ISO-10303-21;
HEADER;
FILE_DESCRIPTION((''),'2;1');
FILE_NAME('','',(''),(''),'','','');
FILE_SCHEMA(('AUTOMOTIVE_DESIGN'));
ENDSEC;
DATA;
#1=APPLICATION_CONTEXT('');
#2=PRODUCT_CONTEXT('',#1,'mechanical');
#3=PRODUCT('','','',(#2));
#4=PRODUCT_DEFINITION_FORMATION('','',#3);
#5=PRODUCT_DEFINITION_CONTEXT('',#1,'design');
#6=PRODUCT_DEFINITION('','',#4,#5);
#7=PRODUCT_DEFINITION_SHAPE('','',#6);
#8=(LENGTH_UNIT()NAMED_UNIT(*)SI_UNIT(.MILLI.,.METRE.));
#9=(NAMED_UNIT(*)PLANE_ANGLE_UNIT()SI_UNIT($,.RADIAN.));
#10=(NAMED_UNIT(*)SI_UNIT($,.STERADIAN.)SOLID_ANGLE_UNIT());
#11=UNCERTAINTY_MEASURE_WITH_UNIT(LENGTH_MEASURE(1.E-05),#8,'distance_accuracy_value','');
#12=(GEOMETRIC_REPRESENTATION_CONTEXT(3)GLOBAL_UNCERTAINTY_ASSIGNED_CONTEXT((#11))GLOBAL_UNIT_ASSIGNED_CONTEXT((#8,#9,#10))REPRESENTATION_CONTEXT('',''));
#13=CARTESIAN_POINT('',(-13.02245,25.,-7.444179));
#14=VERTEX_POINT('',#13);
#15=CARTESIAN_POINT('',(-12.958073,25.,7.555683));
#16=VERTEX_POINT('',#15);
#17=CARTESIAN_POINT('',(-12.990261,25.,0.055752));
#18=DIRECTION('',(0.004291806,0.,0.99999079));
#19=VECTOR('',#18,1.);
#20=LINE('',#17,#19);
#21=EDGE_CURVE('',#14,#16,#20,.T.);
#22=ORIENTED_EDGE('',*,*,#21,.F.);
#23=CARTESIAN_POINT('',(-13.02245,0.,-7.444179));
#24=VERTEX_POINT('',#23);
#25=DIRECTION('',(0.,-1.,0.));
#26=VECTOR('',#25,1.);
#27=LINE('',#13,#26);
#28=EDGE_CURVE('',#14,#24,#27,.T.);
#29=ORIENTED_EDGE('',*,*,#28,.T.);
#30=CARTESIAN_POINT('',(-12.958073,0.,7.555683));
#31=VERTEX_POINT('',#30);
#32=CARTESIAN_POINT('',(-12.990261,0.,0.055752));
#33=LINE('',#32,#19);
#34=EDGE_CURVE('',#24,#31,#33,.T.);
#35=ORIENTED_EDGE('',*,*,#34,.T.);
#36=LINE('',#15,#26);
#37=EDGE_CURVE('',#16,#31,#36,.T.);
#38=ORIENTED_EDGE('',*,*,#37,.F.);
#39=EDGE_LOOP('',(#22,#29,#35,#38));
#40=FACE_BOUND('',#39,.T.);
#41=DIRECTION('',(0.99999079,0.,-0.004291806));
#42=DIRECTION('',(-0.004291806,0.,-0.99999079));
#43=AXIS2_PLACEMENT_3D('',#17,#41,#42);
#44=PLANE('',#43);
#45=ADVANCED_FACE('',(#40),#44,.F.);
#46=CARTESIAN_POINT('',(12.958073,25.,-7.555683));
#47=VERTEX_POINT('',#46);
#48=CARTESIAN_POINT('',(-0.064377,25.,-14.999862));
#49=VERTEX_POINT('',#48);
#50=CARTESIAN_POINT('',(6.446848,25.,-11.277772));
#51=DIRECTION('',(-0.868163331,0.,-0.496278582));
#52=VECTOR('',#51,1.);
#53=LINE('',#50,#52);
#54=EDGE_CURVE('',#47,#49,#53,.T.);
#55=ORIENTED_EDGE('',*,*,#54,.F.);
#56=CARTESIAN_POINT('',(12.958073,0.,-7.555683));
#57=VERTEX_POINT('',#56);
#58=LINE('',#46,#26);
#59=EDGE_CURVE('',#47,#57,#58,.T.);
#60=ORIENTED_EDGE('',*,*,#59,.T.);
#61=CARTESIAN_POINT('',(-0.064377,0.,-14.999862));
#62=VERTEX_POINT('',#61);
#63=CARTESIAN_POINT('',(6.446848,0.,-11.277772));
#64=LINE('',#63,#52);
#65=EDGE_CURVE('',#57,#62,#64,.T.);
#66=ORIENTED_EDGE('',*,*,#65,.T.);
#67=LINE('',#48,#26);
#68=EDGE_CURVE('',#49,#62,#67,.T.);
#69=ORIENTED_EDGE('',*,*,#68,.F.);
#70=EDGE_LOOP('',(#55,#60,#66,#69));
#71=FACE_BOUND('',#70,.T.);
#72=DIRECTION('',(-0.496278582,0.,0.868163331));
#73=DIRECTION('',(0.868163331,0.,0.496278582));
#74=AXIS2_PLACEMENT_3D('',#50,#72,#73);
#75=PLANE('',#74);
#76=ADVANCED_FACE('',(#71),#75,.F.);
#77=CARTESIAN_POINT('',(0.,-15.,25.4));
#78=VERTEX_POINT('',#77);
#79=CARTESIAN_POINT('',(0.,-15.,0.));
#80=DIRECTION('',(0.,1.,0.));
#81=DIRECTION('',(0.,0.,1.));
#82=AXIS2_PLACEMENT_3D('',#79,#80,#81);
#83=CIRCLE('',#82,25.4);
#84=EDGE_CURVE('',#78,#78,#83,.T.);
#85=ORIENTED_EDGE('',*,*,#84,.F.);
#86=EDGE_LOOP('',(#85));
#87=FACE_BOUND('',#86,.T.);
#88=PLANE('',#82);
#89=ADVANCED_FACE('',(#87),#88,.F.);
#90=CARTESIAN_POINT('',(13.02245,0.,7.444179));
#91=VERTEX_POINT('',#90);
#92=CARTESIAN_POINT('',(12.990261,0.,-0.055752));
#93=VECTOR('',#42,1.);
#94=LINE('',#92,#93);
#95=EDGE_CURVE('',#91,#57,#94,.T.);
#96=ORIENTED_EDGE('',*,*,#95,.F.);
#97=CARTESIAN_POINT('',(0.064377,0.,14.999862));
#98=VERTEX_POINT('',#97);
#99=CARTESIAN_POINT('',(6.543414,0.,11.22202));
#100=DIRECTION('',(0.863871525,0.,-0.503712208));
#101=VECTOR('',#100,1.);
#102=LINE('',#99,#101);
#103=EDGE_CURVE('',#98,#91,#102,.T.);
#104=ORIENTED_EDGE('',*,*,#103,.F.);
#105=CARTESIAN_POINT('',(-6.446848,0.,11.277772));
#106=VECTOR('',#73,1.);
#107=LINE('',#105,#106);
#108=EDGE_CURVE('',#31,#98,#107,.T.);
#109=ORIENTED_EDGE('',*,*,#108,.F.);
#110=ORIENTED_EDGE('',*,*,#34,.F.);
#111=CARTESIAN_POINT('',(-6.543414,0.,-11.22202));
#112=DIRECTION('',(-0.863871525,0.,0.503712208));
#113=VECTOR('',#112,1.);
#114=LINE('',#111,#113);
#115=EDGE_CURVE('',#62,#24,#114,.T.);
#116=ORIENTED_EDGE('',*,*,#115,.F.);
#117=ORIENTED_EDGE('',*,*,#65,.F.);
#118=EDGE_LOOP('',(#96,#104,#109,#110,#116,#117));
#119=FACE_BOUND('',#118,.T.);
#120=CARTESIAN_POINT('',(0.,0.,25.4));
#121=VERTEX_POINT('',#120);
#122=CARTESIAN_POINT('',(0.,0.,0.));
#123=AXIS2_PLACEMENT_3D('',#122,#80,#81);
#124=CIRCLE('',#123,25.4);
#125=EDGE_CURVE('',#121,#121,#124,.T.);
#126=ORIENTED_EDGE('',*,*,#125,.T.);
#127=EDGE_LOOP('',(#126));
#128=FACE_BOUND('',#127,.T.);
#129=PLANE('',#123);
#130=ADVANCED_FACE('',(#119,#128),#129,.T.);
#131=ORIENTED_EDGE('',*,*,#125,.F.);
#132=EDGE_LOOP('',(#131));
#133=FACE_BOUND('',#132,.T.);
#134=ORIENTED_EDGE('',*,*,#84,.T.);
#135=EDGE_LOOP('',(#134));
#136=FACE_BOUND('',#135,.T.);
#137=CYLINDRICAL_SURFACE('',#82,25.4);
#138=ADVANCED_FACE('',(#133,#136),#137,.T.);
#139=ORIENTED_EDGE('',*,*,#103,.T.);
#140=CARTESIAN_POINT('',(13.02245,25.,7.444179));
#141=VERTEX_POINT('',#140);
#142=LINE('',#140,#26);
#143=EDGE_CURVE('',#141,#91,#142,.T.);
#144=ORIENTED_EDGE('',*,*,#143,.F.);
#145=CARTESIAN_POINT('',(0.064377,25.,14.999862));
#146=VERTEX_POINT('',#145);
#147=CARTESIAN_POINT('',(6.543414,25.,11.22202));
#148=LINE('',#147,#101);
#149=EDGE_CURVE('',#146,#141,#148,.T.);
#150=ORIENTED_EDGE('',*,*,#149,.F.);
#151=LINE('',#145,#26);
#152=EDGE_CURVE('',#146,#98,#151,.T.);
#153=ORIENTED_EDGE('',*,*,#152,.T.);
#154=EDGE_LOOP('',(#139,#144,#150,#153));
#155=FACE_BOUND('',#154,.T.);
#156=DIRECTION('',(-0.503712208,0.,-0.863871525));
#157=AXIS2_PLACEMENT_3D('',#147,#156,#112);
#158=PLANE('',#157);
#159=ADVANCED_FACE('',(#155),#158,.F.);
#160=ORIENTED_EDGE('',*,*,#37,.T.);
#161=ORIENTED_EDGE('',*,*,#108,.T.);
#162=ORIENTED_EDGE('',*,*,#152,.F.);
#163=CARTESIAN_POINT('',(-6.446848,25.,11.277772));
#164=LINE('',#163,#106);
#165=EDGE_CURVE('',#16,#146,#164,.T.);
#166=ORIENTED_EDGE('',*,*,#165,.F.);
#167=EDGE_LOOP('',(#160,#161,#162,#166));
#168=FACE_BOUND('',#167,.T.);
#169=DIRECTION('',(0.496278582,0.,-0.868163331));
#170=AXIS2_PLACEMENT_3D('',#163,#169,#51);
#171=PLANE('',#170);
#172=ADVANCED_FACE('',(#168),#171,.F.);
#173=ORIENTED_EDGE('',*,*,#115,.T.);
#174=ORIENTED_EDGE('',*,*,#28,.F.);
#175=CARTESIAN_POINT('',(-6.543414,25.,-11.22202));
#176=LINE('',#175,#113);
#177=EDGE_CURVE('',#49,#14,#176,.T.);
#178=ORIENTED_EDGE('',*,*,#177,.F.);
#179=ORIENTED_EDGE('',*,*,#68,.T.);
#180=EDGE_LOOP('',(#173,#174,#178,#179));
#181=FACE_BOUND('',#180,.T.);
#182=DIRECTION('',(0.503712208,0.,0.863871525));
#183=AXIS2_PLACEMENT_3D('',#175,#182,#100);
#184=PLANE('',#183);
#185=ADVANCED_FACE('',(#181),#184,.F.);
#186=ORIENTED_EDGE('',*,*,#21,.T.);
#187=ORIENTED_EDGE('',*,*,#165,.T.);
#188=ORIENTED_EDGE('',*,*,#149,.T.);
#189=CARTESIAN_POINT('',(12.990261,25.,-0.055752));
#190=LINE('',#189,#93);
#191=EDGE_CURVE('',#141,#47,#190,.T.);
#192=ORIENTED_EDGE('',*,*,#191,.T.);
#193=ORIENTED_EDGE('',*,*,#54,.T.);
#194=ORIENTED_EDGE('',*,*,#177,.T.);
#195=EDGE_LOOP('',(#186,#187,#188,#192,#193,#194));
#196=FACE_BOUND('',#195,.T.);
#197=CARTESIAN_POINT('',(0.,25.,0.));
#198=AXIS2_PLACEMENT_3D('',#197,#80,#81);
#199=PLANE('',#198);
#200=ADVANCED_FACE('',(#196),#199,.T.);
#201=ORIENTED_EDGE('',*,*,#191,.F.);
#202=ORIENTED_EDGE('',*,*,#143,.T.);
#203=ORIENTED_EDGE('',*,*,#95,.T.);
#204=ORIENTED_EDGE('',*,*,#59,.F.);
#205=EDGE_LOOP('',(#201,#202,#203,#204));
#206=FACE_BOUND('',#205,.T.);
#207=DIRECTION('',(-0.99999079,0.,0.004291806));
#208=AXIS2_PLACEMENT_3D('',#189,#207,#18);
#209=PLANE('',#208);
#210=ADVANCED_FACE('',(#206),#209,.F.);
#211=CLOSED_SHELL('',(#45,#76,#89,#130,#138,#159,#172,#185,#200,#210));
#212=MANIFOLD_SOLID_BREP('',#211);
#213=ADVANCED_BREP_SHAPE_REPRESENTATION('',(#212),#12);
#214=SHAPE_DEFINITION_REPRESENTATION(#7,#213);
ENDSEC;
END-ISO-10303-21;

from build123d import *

# Parameters (mm, degrees)
SKETCH1_R           = 25.4
BOSS_EXTRUDE1_DEPTH = 15
BOSS_EXTRUDE2_DEPTH = 25


with BuildPart() as part:
    # Sketch1 → Boss-Extrude1 (new body)
    with BuildSketch(Plane(origin=(0, 0, 0), x_dir=(1, 0, 0), z_dir=(0, 1, 0))):
        Circle(SKETCH1_R)
    extrude(amount=-BOSS_EXTRUDE1_DEPTH)

    # Sketch1<3> → Boss-Extrude2 (add)
    with BuildSketch(Plane(origin=(0, 0, 0), x_dir=(1, 0, 0), z_dir=(0, 1, 0))):
        Polygon((12.958072873, 7.555683121), (-0.064377089, 14.999861852), (-13.022449962, 7.444178731), (-12.958072873, -7.555683121), (0.064377089, -14.999861852), (13.022449962, -7.444178731), align=None)
    extrude(amount=BOSS_EXTRUDE2_DEPTH)


solid = part.part
